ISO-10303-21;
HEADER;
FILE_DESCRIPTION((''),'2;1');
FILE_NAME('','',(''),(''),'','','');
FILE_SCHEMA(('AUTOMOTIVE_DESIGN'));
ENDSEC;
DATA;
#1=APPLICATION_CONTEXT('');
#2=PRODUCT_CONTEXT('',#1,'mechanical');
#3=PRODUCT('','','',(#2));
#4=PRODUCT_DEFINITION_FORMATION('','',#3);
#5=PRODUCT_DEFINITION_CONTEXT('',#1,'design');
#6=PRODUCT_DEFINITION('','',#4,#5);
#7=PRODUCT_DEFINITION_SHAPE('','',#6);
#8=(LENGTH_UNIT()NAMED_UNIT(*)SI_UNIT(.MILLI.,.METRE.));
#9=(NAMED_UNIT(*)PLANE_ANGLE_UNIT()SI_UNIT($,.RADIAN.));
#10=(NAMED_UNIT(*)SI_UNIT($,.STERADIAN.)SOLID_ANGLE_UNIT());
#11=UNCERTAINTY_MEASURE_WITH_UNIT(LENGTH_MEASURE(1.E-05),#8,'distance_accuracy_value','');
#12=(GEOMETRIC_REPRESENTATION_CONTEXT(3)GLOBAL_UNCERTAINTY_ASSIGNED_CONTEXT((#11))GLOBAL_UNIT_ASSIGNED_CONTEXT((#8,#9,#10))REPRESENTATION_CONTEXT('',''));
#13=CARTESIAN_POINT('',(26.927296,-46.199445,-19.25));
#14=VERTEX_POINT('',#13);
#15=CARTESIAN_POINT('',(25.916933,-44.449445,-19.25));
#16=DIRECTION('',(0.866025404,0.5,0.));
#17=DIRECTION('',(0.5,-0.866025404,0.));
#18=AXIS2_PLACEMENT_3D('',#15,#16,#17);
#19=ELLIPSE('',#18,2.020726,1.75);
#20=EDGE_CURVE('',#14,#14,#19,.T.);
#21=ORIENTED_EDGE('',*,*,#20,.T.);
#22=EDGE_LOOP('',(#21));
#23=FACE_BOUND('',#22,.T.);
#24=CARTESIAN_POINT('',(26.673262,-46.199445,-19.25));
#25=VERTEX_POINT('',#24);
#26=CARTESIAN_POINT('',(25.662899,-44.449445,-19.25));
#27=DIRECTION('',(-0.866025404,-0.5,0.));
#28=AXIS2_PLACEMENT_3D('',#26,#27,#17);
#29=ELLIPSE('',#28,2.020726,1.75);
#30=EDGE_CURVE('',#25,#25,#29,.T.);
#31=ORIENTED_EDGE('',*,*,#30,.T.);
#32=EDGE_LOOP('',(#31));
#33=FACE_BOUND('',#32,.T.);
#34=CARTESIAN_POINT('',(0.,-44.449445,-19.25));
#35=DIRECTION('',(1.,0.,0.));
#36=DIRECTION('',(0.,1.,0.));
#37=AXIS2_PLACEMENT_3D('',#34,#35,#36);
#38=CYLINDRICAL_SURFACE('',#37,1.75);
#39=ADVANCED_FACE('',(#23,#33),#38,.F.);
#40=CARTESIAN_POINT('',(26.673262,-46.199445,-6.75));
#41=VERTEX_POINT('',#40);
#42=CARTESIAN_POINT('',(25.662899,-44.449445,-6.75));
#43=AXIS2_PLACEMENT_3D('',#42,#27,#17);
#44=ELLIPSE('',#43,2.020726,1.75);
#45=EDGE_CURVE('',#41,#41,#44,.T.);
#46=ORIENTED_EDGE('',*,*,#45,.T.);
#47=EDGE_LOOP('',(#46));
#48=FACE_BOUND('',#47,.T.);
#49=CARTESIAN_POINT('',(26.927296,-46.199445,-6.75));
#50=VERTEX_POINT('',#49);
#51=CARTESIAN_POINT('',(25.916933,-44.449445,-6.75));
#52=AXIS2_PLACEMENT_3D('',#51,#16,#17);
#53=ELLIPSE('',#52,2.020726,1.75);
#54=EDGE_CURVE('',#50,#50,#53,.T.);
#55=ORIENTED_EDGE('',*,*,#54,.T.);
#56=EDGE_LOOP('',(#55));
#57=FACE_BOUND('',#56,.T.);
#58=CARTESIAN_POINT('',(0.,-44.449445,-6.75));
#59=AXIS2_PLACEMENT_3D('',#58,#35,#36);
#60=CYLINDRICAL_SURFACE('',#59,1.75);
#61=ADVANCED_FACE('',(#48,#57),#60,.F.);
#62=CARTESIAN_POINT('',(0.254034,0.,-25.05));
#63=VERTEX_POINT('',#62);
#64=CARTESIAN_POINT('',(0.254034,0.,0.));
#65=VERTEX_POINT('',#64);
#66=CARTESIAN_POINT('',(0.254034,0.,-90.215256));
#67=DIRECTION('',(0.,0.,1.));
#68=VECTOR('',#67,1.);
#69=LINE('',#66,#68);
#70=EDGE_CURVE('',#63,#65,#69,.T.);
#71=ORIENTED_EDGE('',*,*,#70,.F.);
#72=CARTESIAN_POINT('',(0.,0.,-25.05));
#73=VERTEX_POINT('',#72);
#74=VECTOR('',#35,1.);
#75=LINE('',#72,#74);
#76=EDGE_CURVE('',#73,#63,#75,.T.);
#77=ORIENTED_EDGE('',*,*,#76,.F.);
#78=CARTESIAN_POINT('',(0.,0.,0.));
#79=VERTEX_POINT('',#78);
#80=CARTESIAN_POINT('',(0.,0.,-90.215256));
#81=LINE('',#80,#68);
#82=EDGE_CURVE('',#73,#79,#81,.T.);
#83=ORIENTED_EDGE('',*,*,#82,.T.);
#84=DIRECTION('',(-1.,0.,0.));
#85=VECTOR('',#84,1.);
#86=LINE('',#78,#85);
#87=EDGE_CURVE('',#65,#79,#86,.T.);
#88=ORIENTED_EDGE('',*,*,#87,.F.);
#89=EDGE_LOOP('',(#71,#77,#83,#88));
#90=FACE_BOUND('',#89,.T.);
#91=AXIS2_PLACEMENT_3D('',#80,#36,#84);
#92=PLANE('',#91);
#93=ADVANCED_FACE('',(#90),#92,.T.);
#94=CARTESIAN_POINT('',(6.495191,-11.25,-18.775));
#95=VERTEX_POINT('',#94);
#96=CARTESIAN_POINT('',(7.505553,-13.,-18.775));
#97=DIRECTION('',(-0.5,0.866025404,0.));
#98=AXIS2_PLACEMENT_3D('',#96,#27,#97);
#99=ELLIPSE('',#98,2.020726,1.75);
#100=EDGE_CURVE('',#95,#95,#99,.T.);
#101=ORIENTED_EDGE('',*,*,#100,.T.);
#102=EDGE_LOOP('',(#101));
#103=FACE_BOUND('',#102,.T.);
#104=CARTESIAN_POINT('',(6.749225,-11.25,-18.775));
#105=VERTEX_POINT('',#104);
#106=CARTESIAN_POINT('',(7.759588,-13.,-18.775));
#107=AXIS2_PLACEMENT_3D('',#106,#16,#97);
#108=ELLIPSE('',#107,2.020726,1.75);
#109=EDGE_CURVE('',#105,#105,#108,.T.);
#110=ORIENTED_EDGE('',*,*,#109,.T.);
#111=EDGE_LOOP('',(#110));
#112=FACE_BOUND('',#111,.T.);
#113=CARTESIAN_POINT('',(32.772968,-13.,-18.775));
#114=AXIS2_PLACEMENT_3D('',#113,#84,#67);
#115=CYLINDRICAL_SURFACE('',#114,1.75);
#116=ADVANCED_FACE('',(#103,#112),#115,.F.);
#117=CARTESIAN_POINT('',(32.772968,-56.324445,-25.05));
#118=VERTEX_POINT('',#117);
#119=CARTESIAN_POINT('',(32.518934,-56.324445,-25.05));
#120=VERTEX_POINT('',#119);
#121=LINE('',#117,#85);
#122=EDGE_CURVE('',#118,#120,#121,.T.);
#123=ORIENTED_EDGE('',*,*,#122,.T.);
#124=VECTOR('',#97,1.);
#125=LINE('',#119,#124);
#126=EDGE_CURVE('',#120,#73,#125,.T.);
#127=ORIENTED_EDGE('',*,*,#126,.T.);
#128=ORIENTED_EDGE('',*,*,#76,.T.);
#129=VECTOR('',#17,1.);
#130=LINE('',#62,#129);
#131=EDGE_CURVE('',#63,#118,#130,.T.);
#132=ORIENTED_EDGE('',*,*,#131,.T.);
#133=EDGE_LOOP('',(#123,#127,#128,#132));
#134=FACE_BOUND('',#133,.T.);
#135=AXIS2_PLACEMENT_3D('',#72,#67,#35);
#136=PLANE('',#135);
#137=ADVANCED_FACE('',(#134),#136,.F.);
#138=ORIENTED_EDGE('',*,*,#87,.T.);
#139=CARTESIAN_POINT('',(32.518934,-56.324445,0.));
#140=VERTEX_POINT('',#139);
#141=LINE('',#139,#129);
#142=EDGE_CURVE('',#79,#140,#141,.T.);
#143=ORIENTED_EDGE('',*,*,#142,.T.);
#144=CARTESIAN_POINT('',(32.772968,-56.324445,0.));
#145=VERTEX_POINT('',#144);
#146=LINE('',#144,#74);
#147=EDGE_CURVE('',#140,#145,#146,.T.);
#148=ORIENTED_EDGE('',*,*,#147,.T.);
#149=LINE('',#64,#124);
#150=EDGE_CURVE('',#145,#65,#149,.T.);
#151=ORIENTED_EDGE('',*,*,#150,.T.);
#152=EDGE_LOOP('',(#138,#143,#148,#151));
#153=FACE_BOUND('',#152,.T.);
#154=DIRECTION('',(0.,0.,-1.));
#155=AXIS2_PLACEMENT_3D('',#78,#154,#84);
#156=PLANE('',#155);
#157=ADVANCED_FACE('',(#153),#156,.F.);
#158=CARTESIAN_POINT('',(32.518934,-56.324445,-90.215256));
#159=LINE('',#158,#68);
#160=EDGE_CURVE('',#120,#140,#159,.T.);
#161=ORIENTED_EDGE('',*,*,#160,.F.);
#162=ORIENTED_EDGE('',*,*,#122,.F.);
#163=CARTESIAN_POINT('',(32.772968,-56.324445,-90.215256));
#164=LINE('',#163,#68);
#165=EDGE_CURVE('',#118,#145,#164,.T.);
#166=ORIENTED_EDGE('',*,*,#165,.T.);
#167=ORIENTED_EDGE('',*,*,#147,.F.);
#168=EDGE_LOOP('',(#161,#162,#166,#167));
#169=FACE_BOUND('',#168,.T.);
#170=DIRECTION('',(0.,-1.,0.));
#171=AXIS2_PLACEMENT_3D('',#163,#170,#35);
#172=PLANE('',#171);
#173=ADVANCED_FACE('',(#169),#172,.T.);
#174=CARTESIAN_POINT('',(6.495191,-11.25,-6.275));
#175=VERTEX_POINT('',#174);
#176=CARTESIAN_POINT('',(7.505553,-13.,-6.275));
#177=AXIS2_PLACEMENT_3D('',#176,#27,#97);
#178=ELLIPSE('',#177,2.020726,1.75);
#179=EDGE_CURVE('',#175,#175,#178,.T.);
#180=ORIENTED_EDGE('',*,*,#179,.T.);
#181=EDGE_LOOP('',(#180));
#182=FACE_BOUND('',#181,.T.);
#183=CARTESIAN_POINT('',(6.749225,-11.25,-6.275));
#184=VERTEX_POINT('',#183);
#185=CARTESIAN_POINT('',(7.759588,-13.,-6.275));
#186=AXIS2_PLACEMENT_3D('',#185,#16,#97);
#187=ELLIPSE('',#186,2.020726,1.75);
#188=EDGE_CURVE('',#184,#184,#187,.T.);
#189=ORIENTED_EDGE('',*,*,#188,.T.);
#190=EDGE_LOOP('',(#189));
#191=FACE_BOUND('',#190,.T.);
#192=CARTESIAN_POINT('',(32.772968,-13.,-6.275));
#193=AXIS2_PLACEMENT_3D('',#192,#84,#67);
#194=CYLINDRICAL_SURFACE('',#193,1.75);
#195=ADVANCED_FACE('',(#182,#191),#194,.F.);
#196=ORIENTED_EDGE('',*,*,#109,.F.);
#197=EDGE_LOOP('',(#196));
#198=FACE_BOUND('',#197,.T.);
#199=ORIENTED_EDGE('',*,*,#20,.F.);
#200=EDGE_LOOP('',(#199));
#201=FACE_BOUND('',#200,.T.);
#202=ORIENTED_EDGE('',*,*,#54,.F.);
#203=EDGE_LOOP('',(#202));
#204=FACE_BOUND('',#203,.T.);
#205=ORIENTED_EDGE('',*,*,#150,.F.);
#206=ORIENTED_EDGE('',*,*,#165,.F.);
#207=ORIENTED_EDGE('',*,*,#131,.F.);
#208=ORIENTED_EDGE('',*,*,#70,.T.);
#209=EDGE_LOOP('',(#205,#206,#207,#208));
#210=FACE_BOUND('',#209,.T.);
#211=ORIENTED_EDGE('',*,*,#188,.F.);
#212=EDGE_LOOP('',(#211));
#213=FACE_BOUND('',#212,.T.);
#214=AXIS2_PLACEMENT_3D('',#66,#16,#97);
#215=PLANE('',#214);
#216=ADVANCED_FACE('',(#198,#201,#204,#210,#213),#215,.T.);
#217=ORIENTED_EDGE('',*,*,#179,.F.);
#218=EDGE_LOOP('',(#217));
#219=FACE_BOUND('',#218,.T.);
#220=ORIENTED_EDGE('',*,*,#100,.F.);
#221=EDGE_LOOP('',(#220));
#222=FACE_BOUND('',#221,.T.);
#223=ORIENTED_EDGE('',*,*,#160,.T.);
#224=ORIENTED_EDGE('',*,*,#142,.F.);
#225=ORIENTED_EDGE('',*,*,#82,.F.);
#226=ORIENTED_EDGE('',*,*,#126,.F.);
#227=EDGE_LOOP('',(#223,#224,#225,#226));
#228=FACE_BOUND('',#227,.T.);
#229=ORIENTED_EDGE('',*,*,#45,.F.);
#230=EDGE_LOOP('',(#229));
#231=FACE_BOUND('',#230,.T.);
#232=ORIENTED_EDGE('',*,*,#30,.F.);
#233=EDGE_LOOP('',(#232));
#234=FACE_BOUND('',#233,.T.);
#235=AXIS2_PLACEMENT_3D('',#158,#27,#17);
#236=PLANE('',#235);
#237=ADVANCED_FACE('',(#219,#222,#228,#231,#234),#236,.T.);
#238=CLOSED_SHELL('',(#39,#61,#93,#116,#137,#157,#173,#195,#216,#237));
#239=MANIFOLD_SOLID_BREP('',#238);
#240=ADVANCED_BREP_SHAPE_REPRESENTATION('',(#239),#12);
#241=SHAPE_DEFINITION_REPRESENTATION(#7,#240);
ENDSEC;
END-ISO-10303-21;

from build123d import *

# Parameters (mm, degrees)
BOSS_EXTRUDE1_DEPTH = 25.05
SKETCH3_R           = 1.75
CUT_EXTRUDE1_DEPTH  = 73.231514091
SKETCH4_R           = 1.75
CUT_EXTRUDE2_DEPTH  = 73.231514091


with BuildPart() as part:
    # Sketch1 → Boss-Extrude1 (new body)
    with BuildSketch(Plane.XY):
        Polygon((0, 0), (0.254034118, 0), (32.772967712, -56.324445192), (32.518933594, -56.324445192), align=None)
    extrude(amount=-BOSS_EXTRUDE1_DEPTH)

    # Sketch3 → Cut-Extrude1 (cut, through all)
    with BuildSketch(Plane.ZY.offset(4.876016361)):
        with Locations(Location((-18.775, -13, 0), (0, 0, 90))):
            Circle(SKETCH3_R)
        with Locations(Location((-6.275, -13, 0), (0, 0, 90))):
            Circle(SKETCH3_R)
    extrude(amount=-CUT_EXTRUDE1_DEPTH, mode=Mode.SUBTRACT)

    # Sketch4 → Cut-Extrude2 (cut, through all)
    with BuildSketch(Plane(origin=(37.648984073, 0, 0), x_dir=(0, 0, -1), z_dir=(1, 0, 0))):
        with Locations(Location((6.75, -44.449445192, 0), (0, 0, 270))):
            Circle(SKETCH4_R)
        with Locations(Location((19.25, -44.449445192, 0), (0, 0, 270))):
            Circle(SKETCH4_R)
    extrude(amount=-CUT_EXTRUDE2_DEPTH, mode=Mode.SUBTRACT)


solid = part.part
